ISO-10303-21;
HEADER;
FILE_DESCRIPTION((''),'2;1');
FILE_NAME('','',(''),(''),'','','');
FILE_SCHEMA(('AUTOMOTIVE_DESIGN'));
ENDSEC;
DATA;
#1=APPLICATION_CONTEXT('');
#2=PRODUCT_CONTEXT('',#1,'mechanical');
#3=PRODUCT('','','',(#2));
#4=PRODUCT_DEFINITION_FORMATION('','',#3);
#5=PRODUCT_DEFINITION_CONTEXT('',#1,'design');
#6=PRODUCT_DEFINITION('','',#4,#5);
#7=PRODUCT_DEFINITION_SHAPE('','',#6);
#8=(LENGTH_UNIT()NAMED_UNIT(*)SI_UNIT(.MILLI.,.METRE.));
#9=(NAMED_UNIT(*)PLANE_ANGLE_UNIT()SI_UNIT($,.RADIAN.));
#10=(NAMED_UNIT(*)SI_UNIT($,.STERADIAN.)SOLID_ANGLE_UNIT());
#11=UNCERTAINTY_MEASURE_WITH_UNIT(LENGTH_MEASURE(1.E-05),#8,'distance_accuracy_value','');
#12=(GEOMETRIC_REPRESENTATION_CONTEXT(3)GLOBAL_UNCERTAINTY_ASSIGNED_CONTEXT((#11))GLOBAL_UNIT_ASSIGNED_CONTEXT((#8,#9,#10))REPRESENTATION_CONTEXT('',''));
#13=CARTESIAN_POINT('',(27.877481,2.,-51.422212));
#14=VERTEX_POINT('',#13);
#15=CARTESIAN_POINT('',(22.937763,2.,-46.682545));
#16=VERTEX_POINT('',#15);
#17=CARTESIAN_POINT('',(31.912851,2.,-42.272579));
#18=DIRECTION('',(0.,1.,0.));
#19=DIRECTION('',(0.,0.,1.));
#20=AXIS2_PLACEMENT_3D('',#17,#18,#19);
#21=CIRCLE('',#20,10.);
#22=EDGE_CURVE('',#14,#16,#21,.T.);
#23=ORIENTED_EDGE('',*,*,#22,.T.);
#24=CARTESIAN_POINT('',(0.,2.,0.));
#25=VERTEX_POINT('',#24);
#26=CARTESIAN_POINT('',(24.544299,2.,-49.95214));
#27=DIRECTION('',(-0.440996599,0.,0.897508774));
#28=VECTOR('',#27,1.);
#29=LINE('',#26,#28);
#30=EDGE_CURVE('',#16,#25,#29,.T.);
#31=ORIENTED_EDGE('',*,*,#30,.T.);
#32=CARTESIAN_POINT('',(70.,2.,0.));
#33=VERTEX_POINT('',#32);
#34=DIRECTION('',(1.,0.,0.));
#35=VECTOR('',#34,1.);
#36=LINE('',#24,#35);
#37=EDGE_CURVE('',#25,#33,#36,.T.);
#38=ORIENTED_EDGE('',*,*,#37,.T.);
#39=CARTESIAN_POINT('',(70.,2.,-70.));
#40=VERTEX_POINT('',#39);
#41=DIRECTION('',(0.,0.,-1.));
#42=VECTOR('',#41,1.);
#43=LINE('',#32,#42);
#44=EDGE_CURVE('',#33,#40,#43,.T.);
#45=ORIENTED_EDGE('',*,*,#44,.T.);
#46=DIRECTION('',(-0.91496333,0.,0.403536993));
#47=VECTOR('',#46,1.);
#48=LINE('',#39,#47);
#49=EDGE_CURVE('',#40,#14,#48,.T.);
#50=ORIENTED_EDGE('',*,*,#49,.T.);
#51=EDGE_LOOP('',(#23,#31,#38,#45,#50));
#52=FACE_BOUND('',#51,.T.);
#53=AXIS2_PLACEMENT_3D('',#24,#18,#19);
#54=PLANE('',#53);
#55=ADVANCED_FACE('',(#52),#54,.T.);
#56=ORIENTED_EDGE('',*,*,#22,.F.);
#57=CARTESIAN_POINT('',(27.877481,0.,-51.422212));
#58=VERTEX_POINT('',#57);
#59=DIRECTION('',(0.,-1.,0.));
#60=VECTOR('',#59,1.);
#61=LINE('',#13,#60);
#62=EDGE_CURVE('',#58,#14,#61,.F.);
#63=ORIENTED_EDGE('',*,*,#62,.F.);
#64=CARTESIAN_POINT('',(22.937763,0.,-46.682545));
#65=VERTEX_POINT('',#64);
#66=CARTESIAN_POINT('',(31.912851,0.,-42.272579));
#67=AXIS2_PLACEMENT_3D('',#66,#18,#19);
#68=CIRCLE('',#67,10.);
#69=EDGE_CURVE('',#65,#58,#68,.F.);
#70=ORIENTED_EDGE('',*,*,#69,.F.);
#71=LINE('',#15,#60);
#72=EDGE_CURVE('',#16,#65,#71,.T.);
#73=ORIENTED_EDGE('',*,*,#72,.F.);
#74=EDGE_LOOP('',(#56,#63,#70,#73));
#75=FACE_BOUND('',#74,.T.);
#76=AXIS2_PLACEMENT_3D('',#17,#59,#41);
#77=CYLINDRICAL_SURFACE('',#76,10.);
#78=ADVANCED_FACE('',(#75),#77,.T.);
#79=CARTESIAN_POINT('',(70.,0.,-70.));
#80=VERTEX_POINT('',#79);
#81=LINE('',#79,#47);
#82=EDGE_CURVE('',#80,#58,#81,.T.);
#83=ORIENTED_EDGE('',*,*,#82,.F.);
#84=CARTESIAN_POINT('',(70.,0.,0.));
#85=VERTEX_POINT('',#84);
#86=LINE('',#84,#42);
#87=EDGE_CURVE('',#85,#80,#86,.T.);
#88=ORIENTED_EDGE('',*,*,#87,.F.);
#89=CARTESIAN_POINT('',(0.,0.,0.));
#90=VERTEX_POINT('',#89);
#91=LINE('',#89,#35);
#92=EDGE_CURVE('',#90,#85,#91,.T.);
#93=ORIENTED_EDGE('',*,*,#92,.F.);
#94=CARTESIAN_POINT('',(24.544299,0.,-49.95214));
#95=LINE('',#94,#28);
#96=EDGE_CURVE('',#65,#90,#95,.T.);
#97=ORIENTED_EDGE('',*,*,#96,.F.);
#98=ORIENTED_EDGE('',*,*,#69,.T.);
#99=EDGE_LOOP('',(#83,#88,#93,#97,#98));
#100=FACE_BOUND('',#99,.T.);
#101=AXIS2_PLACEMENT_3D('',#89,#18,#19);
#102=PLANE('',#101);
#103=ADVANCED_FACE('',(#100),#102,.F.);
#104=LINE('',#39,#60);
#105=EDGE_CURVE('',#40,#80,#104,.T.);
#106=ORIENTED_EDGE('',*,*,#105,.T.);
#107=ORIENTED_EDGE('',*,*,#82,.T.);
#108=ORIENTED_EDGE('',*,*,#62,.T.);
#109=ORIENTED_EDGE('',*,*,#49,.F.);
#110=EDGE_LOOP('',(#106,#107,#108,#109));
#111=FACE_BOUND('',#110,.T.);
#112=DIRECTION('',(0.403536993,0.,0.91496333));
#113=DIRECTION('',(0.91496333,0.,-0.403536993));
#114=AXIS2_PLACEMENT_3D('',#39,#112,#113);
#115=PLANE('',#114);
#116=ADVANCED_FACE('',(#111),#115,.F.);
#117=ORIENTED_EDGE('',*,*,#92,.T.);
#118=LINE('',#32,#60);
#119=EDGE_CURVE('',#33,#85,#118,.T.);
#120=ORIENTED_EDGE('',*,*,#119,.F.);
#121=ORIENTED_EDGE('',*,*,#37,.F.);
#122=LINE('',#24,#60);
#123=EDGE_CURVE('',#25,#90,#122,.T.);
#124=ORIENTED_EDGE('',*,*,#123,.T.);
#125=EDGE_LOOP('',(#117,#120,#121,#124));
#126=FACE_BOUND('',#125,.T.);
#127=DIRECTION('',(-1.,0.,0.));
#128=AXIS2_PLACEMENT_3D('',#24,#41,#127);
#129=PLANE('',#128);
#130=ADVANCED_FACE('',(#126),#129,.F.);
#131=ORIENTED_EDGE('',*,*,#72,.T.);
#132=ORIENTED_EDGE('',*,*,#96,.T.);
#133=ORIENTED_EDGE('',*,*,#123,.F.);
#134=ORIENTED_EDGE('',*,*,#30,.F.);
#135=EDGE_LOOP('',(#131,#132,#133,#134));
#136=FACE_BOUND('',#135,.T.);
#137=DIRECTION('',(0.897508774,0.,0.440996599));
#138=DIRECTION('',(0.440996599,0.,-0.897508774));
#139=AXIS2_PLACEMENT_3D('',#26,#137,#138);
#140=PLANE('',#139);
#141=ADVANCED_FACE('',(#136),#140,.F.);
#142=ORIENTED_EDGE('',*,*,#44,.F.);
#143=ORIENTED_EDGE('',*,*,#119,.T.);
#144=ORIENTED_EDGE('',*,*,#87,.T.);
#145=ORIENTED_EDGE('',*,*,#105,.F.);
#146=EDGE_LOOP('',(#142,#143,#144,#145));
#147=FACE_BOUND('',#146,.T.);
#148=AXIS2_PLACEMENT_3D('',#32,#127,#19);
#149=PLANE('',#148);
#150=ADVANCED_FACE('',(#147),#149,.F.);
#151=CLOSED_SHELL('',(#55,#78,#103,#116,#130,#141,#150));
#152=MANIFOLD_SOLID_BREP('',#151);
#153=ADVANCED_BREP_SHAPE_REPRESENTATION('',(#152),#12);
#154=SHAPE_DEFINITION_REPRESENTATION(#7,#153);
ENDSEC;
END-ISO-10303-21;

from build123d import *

# Parameters (mm, degrees)
RESSALTO_EXTRUS_O1_DEPTH = 2
FILETE1_R                = 10


with BuildPart() as part:
    # Esboço1 → Ressalto-extrusão1 (new body)
    with BuildSketch(Plane(origin=(0, 0, 0), x_dir=(1, 0, 0), z_dir=(0, 1, 0))):
        Polygon((0, 0), (70, 0), (70, 70), (24.544299076, 49.952139866), align=None)
    extrude(amount=RESSALTO_EXTRUS_O1_DEPTH)

    # Filete1
    filete1_edges = [part.edges().sort_by_distance(p)[0] for p in [
        (24.544299076, 1, -49.952139866),
    ]]
    fillet(filete1_edges, radius=FILETE1_R)


solid = part.part
